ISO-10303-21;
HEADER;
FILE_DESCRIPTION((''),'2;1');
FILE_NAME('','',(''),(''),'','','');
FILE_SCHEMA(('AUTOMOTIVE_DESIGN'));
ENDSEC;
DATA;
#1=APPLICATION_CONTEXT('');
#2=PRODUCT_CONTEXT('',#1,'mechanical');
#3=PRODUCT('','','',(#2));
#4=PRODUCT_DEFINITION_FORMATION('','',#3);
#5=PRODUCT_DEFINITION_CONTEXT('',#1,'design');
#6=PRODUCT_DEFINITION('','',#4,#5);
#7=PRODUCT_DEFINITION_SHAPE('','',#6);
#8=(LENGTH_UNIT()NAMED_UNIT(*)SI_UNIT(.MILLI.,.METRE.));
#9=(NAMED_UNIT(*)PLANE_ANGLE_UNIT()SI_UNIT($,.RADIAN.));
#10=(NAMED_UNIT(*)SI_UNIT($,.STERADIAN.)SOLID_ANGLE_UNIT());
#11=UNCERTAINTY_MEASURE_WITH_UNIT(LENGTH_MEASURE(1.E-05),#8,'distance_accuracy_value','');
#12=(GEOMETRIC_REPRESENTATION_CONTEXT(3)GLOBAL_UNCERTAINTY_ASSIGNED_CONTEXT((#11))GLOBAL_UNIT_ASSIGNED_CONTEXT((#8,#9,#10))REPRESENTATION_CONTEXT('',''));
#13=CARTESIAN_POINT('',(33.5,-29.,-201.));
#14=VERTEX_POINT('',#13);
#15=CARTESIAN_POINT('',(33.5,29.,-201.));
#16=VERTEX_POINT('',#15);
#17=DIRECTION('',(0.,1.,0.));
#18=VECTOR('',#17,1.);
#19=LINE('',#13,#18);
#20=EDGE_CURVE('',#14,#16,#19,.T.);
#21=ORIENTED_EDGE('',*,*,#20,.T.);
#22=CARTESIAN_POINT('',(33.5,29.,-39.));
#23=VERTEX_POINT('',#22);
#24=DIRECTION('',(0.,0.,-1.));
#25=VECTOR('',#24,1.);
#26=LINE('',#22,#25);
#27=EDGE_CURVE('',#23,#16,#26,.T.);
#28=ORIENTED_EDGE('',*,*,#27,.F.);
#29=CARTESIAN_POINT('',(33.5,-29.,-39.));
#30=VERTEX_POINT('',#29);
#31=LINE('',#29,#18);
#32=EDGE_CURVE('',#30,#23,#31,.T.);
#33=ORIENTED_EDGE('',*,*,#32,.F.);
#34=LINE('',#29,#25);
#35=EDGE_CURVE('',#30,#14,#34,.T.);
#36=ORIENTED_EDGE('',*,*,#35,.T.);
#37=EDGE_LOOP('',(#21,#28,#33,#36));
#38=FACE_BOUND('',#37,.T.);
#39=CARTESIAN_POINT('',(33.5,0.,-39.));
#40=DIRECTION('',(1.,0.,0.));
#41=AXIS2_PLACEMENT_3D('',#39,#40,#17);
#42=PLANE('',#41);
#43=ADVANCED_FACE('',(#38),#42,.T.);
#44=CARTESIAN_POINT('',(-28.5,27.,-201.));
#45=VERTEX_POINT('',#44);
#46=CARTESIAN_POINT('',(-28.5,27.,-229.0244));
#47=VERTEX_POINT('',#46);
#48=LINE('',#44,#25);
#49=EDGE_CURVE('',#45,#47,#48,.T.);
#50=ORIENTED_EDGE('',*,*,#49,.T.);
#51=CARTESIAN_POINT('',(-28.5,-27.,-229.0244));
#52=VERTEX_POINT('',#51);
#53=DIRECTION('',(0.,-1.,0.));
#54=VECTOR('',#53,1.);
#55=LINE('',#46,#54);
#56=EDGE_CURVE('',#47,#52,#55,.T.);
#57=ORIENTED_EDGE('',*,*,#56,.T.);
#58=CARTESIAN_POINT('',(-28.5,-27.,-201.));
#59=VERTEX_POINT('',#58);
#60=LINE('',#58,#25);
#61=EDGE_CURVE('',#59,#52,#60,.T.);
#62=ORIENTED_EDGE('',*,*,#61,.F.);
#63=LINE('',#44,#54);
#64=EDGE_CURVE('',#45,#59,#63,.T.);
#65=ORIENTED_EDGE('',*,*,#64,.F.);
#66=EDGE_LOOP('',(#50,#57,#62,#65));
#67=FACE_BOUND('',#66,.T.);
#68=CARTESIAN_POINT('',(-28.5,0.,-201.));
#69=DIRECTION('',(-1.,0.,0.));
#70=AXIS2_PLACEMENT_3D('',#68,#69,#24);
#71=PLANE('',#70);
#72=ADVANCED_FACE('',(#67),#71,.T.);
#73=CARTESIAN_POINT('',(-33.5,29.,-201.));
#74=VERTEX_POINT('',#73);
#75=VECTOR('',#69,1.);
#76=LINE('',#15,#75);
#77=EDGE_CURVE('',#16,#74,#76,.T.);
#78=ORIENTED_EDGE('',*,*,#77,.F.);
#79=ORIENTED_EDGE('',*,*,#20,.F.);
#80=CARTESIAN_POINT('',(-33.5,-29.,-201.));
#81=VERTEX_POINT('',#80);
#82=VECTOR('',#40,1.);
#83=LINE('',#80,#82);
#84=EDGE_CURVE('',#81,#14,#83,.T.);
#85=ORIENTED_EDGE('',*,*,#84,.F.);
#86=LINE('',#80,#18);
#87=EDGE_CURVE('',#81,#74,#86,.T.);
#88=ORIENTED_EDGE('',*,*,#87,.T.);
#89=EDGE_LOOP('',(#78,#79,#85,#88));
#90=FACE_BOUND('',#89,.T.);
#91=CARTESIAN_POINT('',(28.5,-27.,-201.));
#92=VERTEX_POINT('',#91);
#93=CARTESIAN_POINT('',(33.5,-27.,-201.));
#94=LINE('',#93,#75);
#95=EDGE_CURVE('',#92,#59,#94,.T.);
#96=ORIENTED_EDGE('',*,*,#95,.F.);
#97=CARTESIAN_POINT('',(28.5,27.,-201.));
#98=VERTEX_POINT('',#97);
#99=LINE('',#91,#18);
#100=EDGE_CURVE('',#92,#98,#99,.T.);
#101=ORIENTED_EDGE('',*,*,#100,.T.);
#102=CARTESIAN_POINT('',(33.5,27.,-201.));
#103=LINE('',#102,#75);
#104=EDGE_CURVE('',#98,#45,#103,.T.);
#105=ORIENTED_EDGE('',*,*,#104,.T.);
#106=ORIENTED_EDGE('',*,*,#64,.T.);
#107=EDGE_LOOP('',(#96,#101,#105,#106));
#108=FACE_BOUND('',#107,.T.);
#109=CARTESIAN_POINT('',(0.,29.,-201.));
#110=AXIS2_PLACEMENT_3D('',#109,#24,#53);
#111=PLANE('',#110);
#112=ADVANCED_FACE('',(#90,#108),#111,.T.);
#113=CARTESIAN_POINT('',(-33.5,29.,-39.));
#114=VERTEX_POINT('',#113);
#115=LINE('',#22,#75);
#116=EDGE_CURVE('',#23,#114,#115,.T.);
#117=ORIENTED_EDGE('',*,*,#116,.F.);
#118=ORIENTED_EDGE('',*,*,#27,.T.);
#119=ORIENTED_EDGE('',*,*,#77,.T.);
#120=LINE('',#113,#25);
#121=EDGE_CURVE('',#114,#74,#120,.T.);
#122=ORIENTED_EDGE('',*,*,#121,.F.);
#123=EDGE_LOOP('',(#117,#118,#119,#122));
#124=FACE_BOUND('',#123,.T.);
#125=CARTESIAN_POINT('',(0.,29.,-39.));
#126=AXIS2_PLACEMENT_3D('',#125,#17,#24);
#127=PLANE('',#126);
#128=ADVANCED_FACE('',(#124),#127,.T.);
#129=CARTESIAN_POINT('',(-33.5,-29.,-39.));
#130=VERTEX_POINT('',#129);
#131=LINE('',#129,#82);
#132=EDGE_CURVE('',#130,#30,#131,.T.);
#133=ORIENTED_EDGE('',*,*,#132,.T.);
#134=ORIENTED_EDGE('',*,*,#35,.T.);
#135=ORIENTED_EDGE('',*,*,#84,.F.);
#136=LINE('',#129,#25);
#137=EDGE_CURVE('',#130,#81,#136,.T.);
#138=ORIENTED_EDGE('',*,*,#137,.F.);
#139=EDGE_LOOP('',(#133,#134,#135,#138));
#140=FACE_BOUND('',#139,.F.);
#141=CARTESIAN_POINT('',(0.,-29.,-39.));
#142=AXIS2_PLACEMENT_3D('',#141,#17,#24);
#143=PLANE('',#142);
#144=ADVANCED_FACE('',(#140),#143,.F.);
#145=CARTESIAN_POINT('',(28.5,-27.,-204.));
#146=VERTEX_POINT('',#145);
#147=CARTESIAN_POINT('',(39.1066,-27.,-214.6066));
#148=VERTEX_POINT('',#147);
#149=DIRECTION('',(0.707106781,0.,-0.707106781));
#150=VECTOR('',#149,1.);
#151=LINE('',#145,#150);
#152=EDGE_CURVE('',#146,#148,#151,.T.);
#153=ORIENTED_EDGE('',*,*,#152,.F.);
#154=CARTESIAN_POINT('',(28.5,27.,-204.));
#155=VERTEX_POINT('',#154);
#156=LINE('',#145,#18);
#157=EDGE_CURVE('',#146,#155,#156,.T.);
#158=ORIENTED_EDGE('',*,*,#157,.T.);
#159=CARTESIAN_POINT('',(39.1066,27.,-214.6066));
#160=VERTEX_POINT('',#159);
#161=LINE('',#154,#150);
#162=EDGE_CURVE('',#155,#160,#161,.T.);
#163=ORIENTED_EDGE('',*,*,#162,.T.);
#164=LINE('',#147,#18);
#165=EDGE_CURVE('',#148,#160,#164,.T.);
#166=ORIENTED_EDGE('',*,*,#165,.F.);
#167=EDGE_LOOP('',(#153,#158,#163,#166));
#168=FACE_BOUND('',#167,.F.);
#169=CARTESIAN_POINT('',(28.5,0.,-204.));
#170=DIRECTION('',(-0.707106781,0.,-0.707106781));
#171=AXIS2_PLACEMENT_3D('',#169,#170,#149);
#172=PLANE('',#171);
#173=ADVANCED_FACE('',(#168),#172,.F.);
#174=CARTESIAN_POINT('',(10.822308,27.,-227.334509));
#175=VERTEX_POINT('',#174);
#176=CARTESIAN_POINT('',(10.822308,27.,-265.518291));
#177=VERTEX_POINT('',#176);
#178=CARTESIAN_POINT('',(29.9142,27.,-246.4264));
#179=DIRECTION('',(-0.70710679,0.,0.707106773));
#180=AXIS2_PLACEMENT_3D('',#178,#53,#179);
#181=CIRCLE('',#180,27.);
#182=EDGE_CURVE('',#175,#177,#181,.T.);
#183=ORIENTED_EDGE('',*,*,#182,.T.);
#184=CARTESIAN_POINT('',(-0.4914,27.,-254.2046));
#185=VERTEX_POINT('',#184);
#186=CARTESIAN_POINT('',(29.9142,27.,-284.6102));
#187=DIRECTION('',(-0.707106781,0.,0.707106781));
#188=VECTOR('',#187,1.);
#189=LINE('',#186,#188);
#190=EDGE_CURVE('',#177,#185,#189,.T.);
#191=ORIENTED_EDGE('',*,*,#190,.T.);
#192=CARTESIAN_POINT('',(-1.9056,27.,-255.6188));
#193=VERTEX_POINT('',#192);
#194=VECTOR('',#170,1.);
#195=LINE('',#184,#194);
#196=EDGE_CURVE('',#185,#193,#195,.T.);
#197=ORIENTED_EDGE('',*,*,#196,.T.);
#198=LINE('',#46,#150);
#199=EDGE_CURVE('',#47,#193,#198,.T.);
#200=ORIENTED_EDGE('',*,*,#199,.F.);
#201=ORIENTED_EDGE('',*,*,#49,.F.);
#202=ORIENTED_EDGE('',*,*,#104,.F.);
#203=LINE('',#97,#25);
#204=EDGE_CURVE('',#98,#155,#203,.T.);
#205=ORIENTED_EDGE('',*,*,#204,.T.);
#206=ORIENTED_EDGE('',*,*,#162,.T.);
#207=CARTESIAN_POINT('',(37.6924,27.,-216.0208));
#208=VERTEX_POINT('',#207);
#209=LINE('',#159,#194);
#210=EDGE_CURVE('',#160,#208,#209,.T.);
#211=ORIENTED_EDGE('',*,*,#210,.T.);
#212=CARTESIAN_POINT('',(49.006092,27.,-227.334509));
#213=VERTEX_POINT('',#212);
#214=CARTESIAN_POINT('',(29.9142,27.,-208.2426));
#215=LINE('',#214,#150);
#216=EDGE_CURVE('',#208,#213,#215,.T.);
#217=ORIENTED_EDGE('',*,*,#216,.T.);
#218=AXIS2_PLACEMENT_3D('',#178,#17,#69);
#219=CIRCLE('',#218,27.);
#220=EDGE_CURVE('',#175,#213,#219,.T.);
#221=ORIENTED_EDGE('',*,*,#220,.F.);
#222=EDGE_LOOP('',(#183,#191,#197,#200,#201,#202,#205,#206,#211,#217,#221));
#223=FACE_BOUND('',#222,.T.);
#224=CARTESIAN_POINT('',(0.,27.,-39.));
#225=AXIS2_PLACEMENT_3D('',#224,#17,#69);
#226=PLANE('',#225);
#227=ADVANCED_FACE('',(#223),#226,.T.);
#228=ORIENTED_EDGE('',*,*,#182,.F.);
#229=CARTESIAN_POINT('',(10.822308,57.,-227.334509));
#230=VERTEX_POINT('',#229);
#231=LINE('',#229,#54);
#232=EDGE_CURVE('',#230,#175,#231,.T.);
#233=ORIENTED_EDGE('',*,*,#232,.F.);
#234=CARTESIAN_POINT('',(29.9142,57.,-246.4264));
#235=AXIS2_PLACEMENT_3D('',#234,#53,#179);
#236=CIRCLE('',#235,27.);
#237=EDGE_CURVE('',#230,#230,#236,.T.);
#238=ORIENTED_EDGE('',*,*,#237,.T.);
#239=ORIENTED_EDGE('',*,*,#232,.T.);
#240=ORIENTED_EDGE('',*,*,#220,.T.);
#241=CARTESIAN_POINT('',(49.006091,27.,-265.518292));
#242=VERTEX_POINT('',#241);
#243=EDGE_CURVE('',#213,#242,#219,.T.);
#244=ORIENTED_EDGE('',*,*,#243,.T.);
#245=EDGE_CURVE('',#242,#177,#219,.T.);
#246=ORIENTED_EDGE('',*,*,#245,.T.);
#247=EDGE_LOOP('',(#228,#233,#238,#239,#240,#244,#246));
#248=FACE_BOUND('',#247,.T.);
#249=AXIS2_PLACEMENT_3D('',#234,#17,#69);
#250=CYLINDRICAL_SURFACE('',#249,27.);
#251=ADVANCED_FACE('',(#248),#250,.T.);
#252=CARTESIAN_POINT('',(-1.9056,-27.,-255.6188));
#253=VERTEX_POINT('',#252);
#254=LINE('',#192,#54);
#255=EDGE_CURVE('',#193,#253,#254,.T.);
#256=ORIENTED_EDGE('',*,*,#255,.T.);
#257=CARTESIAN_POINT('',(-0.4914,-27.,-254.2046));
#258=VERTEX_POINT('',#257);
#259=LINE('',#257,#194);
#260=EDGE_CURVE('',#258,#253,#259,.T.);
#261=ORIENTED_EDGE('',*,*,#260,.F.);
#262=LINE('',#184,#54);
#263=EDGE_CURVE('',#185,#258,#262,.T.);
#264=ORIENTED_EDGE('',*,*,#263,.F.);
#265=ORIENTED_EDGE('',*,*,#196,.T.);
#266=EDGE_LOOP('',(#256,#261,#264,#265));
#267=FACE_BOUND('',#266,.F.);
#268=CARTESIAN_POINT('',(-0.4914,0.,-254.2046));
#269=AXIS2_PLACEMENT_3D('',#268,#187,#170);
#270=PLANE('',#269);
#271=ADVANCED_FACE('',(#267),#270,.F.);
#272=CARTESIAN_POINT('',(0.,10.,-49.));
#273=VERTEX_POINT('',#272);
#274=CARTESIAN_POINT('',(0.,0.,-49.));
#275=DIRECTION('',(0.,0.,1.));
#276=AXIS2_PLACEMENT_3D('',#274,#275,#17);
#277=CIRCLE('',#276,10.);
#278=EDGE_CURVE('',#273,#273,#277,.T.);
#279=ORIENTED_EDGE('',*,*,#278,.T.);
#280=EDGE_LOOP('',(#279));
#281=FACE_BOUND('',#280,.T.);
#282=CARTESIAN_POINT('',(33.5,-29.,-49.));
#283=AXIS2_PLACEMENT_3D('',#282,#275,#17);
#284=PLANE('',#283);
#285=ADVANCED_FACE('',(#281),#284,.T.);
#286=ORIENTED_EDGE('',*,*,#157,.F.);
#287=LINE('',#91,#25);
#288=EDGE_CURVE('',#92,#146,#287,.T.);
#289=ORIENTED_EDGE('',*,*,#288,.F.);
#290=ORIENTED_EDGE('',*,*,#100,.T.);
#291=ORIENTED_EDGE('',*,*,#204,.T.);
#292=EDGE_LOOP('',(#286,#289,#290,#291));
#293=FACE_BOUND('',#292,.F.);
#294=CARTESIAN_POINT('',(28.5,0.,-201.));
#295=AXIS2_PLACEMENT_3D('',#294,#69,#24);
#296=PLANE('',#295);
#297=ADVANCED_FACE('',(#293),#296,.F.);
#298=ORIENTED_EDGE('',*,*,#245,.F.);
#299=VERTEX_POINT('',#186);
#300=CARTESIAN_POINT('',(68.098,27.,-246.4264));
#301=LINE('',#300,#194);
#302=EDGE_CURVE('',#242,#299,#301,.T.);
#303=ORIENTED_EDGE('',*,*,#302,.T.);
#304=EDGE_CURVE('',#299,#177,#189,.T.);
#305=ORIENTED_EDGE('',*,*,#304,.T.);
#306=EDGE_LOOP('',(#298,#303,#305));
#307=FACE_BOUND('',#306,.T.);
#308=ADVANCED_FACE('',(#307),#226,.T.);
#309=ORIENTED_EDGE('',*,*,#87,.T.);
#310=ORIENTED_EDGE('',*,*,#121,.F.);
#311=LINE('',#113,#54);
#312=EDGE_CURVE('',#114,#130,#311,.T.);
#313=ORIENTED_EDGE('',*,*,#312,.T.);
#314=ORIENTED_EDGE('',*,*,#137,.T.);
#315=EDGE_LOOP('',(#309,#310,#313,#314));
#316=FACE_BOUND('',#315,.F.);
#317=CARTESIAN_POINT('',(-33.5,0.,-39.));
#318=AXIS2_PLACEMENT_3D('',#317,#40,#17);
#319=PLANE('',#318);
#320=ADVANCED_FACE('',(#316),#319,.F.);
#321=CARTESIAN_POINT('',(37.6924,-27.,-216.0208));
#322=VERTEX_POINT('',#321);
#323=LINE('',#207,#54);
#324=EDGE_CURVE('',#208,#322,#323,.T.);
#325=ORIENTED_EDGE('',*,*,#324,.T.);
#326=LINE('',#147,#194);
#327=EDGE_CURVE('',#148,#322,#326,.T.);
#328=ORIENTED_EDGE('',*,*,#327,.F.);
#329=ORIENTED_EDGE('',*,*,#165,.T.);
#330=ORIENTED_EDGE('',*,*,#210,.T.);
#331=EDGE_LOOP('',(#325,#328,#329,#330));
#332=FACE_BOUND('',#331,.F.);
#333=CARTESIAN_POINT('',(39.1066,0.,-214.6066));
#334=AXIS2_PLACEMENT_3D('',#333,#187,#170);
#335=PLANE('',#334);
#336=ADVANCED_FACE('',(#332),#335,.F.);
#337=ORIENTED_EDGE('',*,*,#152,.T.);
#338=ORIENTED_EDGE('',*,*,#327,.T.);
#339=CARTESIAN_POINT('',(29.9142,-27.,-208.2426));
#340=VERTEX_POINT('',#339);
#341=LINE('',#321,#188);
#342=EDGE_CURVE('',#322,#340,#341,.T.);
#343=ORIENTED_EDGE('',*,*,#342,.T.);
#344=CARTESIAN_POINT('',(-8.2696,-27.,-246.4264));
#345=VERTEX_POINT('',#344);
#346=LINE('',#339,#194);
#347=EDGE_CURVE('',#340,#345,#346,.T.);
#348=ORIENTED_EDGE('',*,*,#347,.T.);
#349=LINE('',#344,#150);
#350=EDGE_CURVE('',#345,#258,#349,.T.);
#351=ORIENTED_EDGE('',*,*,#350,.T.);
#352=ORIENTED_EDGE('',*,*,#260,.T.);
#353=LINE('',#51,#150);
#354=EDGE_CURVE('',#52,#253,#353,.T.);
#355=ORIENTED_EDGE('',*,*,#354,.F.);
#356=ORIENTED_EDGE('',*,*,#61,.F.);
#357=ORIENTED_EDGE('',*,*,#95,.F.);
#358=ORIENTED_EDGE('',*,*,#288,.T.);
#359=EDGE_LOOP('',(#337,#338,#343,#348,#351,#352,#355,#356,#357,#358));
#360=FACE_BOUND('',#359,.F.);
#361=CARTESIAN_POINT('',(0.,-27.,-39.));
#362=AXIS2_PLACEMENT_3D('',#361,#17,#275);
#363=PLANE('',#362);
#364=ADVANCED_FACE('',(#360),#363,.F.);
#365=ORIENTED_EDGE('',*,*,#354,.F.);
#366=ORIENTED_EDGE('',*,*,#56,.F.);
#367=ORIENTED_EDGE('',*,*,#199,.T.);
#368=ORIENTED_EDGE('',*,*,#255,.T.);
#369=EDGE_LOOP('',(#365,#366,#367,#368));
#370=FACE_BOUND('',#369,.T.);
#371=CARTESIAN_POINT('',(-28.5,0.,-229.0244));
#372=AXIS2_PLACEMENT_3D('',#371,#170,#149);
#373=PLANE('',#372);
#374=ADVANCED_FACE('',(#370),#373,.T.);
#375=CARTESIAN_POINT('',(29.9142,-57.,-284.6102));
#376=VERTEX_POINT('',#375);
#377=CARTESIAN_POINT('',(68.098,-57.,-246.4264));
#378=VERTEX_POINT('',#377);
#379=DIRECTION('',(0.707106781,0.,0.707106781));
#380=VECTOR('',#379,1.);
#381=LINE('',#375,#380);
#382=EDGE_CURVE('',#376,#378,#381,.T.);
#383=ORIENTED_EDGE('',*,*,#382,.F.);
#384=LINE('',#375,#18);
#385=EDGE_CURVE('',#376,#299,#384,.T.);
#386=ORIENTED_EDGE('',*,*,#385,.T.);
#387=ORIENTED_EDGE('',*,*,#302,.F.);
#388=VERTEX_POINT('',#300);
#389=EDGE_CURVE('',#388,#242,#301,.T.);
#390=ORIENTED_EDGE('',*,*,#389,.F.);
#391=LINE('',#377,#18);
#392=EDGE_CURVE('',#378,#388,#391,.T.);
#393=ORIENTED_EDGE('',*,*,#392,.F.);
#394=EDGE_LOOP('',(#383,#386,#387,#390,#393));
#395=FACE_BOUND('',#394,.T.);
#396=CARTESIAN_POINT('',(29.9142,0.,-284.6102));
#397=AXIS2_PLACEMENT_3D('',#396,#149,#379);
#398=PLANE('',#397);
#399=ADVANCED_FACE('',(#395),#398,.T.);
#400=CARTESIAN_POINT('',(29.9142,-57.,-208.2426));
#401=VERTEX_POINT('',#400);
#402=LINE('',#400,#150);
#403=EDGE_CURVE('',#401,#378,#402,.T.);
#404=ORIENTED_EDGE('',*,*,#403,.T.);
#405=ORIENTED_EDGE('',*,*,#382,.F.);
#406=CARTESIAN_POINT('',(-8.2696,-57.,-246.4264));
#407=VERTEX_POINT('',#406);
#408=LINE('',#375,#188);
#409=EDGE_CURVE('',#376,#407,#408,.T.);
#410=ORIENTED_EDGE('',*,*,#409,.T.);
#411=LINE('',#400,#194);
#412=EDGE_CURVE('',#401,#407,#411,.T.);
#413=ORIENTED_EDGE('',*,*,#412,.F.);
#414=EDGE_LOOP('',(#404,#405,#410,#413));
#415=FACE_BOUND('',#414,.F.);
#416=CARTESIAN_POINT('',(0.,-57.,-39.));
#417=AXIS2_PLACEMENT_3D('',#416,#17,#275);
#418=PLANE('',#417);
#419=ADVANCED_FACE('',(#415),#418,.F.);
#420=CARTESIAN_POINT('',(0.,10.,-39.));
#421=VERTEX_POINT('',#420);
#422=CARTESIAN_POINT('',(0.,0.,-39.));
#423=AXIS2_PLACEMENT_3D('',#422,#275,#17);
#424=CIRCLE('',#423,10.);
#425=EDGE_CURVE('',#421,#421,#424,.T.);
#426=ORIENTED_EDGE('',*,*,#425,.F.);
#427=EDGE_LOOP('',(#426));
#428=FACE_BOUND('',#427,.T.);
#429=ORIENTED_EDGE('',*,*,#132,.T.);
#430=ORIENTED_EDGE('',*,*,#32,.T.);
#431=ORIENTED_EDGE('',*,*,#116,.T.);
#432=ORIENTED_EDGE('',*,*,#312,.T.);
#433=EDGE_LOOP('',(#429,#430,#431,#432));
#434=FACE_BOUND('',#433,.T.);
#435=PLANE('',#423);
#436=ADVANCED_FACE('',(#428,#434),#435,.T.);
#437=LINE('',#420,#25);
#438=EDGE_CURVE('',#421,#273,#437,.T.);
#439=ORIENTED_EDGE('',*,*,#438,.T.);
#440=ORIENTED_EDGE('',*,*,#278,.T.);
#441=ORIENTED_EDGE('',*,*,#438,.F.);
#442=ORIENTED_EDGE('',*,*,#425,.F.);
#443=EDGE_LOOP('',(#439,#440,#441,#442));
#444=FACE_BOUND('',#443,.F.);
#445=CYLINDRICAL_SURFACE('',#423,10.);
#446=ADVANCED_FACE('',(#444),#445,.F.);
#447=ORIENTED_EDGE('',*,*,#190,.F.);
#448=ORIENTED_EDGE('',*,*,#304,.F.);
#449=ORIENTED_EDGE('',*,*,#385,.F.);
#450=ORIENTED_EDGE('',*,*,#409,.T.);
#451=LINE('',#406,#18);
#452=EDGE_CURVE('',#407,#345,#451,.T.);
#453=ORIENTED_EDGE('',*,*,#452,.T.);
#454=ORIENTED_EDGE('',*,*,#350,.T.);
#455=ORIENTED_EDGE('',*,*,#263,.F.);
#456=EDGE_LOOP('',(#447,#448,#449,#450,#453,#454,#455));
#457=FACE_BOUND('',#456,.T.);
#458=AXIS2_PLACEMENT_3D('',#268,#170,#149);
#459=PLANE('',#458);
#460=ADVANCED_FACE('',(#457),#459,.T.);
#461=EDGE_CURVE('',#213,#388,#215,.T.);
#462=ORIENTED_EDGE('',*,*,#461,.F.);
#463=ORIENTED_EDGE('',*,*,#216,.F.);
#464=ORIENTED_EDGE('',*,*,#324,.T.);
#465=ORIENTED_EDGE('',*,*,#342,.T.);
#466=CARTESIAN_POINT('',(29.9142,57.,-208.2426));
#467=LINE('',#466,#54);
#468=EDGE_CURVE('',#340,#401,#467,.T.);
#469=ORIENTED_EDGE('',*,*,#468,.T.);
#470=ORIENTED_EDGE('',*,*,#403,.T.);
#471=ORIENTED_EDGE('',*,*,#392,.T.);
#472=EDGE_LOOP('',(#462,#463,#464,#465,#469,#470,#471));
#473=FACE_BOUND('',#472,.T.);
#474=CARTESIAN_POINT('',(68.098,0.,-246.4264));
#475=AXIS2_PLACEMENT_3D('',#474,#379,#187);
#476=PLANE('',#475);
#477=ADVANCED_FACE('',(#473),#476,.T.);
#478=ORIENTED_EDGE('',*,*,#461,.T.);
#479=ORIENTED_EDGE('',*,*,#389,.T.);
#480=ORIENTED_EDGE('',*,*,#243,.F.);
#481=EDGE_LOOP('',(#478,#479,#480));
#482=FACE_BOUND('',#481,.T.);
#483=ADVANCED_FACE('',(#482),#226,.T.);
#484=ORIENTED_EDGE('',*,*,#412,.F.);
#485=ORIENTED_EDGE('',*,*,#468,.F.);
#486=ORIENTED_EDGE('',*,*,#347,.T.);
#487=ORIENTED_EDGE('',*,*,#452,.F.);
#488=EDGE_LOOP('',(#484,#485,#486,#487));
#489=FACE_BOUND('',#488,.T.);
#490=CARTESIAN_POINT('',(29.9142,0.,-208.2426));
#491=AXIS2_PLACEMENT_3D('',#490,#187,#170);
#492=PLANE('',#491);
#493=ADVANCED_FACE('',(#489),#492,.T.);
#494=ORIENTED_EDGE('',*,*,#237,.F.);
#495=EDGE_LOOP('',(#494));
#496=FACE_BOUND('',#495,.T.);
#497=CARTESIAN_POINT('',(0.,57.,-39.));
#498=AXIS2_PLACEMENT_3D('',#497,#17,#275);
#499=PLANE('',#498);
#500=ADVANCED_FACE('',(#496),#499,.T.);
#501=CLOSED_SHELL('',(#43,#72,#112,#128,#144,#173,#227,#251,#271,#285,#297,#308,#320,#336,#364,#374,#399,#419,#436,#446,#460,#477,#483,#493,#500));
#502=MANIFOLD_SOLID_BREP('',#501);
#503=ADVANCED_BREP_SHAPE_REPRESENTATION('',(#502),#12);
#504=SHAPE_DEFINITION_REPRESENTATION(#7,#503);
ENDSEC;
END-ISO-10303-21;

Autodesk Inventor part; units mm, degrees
ref_plane "YZ Plane" through (0, 0, 0) normal (1, 0, 0) x (0, 1, 0)
ref_plane "XZ Plane" through (0, 0, 0) normal (0, 1, 0) x (-1, 0, 0)
ref_plane "XY Plane" through (0, 0, 0) normal (0, 0, 1) x (1, 0, 0)
sketch "Sketch1" plane through (0, 0, 0) normal (0, 0, 1) x (1, 0, 0)
  line L0 (0, 0) -> (29, 0)
  line L1 (29, 0) -> (29, -162)
  line L2 (29, -162) -> (0, -162)
  line L3 (0, -162) -> (0, 0) construction
  line L4 (0, 0) -> (-29, 0)
  line L5 (-29, 0) -> (-29, -162)
  line L6 (-29, -162) -> (0, -162)
  dimension "d0" = 29
  dimension "d1" = 162
extrude "Extrusion1" add sketch "Sketch1" along normal mid plane 67
sketch "Sketch3" plane through (0, 0, 0) normal (1, 0, 0) x (0, 1, 0)
  line L0 (-162, 28.5) -> (-165, 28.5)
  line L1 (-165, 28.5) -> (-175.6066, 39.1066)
  line L2 (-162, 33.5) -> (0, 33.5) projected
  line L3 (-162, 33.5) -> (-162, -33.5) projected
  line L4 (-162, -28.5) -> (-190.0244, -28.5)
  line L5 (-190.0244, -28.5) -> (-216.6188, -1.9056)
  line L6 (-177.0208, 37.6924) -> (-169.2426, 29.9142)
  line L7 (-169.2426, 29.9142) -> (-207.4264, -8.2696)
  line L8 (-207.4264, -8.2696) -> (-215.2046, -0.4914)
  line L9 (-175.6066, 39.1066) -> (-177.0208, 37.6924)
  line L10 (-215.2046, -0.4914) -> (-216.6188, -1.9056)
  line L11 (0, -33.5) -> (-162, -33.5) construction
  point P0 (0, 0)
  dimension "d6" = 5
  dimension "d7" = 3
  dimension "d8" = 45
  dimension "d9" = 15
  dimension "d11" = 11
  dimension "d13" = 2
  dimension "d14" = 54
  dimension "d15" = 5
  dimension "d16" = 90
extrude "Extrusion2" add sketch "Sketch3" along normal mid plane 54
sketch "Sketch5" plane through (0, 0, 0) normal (1, 0, 0) x (0, 1, 0)
  line L0 (-207.4264, 68.098) -> (-169.2426, 29.9142)
  line L1 (-169.2426, 29.9142) -> (-207.4264, -8.2696)
  line L2 (-207.4264, -8.2696) -> (-245.6102, 29.9142)
  line L3 (-245.6102, 29.9142) -> (-207.4264, 68.098)
  line L4 (-169.2426, 29.9142) -> (-207.4264, -8.2696) projected
  line L5 (-177.0208, 37.6924) -> (-169.2426, 29.9142) projected
  line L6 (-207.4264, -8.2696) -> (-215.2046, -0.4914) projected
  point P0 (0, 0)
extrude "Extrusion3" add sketch "Sketch5" along normal mid plane 114
sketch "Sketch6" plane through (-29, 0, 33.5) normal (0, 1, 0) x (1, 0, 0)
  circle A0 centre (29, 33.5) radius 10
  dimension "d21" = 20
extrude "Extrusion4" cut sketch "Sketch6" against normal blind 10
sketch "Sketch7" plane through (57, 0, 0) normal (1, 0, 0) x (0, 0, -1)
  line L0 (-29.9142, -169.2426) -> (-68.098, -207.4264) projected
  line L1 (-68.098, -207.4264) -> (-29.9142, -245.6102) projected
  line L2 (-29.9142, -245.6102) -> (8.2696, -207.4264) projected
  line L3 (8.2696, -207.4264) -> (-29.9142, -169.2426) projected
  line L4 (-29.9142, -245.6102) -> (-29.9142, -169.2426) construction
  circle A0 centre (-29.9142, -207.4264) radius 27
  point P0 (0, 0)
extrude "Extrusion5" cut sketch "Sketch7" against normal blind 30 contours L3 A0 L0 | A0 L1 L0 | L3 L2 A0 | A0 L2 L1
move or copy body "Move Body1" bodies to move or copy 1 copy no rotation origin (0, 0, 0) rotation axis (1, 0, 0) rotation angle 90
move or copy body "Move Body2" bodies to move or copy 1 copy no rotation origin (0, 0, 0) rotation axis (0, 0, 1) rotation angle 90
move or copy body "Move Body3" bodies to move or copy 1 copy no translate (0, 0, -39)
properties part number "Sholder_Yaw"
